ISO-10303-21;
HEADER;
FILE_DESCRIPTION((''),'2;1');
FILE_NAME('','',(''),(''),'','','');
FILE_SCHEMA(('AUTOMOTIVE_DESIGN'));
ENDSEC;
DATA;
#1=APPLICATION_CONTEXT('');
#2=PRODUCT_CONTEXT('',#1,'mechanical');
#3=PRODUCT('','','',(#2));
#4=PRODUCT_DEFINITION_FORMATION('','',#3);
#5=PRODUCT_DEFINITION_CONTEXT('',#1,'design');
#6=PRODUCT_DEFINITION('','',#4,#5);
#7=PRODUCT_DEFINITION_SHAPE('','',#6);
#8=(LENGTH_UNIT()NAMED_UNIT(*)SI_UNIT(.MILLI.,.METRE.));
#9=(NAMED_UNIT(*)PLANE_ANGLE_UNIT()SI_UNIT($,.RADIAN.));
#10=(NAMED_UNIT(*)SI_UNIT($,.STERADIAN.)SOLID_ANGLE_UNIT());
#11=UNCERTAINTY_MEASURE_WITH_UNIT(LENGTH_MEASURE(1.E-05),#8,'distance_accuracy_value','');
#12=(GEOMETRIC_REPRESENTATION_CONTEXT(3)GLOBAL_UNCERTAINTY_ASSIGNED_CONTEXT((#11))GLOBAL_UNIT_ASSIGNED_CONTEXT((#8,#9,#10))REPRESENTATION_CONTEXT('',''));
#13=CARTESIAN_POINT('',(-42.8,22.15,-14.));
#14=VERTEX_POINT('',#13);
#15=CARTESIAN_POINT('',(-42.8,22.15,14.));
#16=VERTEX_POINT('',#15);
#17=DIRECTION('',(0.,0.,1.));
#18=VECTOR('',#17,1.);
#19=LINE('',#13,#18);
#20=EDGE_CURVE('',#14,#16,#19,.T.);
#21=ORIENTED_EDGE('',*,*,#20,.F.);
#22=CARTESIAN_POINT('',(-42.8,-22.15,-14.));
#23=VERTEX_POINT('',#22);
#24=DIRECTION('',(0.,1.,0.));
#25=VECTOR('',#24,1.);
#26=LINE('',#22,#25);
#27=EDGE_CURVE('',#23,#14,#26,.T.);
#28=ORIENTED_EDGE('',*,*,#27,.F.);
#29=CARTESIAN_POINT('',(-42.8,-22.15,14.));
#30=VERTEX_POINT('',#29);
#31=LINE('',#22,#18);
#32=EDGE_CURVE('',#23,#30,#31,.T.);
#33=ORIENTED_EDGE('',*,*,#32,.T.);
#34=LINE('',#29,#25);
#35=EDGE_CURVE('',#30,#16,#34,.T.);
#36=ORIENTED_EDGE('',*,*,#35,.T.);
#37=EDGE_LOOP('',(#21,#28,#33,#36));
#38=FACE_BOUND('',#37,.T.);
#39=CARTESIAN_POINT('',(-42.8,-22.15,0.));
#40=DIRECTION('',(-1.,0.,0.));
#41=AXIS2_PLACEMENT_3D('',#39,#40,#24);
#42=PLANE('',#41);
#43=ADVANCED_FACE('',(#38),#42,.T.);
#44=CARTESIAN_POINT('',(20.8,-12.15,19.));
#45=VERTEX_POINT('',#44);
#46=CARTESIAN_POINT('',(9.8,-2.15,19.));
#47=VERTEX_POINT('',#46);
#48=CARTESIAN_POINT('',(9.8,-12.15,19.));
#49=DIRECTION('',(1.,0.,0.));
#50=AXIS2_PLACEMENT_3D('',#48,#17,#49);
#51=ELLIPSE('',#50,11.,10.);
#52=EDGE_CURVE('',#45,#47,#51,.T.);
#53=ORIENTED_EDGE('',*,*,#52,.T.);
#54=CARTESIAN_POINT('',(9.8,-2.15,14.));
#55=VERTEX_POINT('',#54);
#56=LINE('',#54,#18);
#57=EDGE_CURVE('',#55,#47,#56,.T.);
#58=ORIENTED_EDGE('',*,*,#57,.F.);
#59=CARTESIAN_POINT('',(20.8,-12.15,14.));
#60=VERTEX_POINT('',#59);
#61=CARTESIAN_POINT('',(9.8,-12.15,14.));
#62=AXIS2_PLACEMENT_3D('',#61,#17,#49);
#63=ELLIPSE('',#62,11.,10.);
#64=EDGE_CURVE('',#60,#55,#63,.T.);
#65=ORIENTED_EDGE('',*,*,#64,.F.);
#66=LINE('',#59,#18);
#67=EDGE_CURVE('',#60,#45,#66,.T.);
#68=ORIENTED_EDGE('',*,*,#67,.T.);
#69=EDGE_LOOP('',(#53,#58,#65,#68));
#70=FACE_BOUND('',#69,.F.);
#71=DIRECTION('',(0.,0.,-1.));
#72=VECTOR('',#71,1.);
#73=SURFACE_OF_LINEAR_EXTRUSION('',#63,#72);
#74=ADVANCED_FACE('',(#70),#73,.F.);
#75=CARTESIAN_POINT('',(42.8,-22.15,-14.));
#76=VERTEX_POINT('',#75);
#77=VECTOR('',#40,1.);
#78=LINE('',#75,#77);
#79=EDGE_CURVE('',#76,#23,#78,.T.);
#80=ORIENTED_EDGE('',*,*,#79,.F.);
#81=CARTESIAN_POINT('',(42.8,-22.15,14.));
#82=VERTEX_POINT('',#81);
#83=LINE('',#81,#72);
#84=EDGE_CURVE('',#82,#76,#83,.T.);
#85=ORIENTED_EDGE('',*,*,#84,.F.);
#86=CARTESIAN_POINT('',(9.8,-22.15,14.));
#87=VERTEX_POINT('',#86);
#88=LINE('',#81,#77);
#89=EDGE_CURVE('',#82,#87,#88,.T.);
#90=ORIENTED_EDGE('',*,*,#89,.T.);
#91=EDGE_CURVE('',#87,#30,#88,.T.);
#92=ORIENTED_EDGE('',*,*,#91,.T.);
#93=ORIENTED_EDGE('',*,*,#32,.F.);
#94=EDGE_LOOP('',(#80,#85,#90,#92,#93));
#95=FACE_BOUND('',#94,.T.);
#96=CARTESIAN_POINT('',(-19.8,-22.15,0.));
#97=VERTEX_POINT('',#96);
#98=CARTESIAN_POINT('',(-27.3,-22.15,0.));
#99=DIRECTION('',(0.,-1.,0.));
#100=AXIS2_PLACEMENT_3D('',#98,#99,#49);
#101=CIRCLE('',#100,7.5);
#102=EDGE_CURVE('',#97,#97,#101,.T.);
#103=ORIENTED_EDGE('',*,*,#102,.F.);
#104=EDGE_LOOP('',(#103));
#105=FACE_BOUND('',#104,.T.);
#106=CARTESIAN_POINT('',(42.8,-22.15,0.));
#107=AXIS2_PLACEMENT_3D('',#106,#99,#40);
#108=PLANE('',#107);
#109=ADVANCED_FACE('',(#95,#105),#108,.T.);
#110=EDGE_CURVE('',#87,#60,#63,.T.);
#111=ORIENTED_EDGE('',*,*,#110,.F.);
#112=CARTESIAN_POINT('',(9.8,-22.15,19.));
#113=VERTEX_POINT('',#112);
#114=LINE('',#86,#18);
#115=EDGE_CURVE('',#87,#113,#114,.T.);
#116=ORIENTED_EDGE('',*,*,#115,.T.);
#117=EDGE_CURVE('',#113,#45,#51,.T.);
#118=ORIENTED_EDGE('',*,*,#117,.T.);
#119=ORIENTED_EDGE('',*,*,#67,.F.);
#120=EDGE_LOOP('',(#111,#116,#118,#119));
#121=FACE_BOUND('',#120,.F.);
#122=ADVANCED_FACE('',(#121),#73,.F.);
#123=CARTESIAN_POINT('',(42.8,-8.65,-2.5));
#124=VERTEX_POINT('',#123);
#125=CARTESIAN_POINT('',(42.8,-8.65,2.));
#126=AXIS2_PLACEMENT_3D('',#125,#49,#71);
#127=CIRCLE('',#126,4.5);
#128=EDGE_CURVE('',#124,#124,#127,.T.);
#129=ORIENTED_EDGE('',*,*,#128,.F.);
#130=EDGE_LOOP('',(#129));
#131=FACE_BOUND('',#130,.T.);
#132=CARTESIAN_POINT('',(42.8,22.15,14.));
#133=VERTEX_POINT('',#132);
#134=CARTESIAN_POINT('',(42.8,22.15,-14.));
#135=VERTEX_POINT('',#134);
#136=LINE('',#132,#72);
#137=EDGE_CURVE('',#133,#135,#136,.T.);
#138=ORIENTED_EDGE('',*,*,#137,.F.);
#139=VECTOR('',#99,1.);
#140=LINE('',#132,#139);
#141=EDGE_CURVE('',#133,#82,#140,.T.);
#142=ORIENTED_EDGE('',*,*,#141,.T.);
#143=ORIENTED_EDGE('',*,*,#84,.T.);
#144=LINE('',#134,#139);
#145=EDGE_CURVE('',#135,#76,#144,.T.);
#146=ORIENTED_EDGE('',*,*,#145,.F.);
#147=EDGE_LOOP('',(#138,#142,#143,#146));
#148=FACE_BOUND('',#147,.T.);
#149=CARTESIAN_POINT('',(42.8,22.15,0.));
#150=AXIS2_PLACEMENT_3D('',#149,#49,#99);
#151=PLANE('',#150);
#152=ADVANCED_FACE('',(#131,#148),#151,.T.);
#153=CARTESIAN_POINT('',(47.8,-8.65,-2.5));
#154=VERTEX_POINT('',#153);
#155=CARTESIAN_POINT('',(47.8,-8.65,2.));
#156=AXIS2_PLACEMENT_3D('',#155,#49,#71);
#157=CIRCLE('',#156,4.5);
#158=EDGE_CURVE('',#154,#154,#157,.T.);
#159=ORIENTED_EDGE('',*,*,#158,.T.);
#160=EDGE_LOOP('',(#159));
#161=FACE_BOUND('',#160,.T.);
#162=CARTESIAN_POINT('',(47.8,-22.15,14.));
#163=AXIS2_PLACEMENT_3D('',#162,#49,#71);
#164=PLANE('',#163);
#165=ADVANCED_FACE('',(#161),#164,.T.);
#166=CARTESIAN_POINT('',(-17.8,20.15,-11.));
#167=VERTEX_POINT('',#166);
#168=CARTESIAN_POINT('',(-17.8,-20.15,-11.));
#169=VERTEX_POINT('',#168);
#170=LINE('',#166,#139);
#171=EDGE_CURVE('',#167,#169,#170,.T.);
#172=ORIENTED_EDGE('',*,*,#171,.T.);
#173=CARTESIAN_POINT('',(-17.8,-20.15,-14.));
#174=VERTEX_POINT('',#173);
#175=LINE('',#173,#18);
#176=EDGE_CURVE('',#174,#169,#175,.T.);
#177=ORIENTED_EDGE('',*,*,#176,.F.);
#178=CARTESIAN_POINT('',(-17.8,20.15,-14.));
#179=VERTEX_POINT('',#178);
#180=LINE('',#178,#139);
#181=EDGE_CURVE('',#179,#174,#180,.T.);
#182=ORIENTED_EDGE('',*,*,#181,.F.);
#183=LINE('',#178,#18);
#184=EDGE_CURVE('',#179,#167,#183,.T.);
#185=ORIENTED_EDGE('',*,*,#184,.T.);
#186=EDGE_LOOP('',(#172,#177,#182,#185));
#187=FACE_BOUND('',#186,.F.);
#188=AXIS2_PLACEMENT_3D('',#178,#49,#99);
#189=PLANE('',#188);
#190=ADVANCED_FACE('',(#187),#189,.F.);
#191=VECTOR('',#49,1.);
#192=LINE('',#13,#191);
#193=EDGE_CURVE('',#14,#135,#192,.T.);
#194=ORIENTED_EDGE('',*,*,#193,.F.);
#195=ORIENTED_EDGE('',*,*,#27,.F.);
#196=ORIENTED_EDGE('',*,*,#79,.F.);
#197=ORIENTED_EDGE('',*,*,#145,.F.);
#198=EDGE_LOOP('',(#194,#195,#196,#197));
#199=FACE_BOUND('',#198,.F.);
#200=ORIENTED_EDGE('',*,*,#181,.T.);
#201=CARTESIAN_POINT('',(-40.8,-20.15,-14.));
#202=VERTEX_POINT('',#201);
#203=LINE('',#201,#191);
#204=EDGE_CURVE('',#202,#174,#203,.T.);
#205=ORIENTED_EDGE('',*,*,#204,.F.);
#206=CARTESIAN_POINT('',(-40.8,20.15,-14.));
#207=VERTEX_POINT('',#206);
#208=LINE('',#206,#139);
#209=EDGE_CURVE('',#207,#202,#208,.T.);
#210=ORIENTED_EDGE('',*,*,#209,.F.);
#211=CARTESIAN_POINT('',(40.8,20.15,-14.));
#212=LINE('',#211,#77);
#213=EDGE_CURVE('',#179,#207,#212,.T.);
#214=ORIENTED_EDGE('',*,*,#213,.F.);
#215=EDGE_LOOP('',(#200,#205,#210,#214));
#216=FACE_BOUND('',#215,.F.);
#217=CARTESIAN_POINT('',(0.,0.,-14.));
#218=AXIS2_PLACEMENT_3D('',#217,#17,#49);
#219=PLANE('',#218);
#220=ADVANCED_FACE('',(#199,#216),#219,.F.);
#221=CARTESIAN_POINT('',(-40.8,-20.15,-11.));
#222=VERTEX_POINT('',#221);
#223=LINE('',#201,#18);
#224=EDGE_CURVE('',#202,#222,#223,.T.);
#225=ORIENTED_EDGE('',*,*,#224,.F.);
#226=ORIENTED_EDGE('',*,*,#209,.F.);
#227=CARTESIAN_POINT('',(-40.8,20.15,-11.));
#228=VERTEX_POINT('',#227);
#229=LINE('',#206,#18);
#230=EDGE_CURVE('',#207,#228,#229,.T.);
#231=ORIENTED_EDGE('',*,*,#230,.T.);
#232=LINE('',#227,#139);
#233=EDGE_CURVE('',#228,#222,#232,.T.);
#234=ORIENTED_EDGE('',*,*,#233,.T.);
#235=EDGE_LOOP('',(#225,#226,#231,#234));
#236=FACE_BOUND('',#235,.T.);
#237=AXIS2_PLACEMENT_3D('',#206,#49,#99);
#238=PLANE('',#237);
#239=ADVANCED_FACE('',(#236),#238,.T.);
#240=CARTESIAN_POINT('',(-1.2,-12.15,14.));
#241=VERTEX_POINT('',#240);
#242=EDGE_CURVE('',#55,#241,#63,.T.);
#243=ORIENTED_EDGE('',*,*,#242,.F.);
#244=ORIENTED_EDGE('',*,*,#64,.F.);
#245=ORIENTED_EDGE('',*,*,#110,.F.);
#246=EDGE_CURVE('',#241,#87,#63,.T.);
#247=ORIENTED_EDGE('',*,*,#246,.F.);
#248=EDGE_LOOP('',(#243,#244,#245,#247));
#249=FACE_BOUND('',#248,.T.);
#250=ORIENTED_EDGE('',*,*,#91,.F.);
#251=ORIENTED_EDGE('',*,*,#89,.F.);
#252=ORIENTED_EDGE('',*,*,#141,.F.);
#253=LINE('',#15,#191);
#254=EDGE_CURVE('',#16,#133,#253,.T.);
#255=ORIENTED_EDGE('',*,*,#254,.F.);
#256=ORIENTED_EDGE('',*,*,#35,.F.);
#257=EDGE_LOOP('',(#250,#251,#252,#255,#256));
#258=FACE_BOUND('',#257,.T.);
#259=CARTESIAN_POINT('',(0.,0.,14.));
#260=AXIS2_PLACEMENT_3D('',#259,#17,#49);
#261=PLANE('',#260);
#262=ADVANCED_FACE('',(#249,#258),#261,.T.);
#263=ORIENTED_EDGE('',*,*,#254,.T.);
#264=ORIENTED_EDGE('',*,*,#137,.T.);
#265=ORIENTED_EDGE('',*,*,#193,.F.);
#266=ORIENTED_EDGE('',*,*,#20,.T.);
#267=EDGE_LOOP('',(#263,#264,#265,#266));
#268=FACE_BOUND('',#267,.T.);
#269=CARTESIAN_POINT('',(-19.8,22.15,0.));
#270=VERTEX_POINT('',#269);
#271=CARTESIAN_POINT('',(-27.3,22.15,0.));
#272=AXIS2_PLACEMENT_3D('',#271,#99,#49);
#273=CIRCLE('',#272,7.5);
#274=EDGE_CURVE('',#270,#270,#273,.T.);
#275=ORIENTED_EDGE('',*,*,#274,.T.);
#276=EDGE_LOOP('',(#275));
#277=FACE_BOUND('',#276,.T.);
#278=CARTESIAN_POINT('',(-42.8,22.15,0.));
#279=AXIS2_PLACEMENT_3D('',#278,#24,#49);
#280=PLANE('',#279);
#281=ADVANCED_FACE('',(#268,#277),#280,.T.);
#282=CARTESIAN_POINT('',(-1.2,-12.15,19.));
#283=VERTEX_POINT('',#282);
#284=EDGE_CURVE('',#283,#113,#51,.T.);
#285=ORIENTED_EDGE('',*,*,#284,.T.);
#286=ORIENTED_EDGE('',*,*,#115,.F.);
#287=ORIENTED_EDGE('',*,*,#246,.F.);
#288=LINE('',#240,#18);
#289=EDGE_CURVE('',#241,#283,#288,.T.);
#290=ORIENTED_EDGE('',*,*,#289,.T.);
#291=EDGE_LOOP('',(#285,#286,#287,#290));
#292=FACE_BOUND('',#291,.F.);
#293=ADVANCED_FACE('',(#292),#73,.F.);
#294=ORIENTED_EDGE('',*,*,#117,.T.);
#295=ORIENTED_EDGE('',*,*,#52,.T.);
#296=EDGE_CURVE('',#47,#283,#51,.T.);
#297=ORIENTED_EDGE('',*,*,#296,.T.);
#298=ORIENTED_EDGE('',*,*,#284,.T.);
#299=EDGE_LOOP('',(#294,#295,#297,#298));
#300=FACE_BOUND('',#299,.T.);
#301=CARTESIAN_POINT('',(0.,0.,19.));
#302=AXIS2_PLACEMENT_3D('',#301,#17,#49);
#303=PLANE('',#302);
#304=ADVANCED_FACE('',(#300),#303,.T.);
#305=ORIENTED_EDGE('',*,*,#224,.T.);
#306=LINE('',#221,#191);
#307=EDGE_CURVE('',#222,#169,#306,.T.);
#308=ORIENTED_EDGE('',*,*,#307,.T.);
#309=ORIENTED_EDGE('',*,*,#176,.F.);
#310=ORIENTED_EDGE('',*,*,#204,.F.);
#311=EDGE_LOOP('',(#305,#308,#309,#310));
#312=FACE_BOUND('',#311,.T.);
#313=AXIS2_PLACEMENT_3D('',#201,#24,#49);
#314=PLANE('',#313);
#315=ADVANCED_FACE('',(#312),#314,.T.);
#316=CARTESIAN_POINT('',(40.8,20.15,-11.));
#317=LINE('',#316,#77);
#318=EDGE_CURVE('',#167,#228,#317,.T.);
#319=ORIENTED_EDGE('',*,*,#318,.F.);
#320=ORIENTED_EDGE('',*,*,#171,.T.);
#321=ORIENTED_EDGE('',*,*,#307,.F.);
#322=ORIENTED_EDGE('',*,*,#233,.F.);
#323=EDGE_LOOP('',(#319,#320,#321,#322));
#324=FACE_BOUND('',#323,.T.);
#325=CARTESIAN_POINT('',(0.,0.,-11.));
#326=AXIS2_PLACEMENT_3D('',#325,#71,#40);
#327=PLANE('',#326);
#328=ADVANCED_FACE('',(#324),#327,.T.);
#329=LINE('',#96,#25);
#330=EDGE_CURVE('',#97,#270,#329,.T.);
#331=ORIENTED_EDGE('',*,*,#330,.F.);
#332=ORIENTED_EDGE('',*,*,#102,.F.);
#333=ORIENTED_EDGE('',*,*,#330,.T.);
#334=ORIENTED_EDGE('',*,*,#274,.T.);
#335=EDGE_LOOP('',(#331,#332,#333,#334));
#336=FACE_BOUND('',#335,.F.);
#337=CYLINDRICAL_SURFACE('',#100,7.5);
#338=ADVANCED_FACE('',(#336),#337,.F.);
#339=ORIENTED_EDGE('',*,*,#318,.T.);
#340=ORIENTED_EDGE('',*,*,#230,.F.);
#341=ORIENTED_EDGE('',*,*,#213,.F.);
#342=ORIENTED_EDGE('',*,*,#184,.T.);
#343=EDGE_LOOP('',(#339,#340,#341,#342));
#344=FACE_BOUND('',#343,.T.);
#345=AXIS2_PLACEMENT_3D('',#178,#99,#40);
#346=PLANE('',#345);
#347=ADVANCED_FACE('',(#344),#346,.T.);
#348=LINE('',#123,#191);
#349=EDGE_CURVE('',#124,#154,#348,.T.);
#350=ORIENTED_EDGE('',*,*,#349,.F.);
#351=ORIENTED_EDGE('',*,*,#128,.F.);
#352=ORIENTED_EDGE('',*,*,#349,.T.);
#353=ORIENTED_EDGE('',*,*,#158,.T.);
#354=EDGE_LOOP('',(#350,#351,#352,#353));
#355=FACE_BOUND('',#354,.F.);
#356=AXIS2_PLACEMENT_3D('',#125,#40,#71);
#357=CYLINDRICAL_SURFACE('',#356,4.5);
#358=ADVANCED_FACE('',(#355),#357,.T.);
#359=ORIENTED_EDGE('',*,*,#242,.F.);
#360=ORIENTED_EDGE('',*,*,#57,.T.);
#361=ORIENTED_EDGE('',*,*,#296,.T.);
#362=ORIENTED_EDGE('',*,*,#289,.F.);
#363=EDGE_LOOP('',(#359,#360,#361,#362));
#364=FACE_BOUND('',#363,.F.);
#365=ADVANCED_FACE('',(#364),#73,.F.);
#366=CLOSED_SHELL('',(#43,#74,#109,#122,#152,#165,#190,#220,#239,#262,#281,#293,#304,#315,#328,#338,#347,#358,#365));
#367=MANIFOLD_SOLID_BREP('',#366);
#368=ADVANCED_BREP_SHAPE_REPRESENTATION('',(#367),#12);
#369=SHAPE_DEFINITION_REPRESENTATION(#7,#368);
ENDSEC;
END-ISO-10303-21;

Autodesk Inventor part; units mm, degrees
ref_plane "YZ Plane" through (0, 0, 0) normal (1, 0, 0) x (0, 1, 0)
ref_plane "XZ Plane" through (0, 0, 0) normal (0, 1, 0) x (-1, 0, 0)
ref_plane "XY Plane" through (0, 0, 0) normal (0, 0, 1) x (1, 0, 0)
sketch "Эскиз1" plane through (0, 0, 0) normal (0, 0, 1) x (1, 0, 0)
  line L0 (-42.8, 22.15) -> (42.8, 22.15)
  line L1 (42.8, 22.15) -> (42.8, -22.15)
  line L2 (42.8, -22.15) -> (-42.8, -22.15)
  line L3 (-42.8, -22.15) -> (-42.8, 22.15)
  line L4 (-42.8, 22.15) -> (42.8, -22.15) construction
  line L5 (42.8, 22.15) -> (-42.8, -22.15) construction
  point P0 (0, 0)
  dimension "d0" = 85.6
  dimension "d1" = 44.3
extrude "Выдавливание1" add sketch "Эскиз1" along normal mid plane 28
sketch "Эскиз2" plane through (0, 0, 14) normal (0, 0, 1) x (1, 0, 0)
  line L0 (-1.2, -2.15) -> (20.8, -2.15)
  line L1 (20.8, -2.15) -> (20.8, -22.15)
  line L2 (20.8, -22.15) -> (-1.2, -22.15)
  line L3 (-1.2, -22.15) -> (-1.2, -2.15)
  line L4 (-42.8, -22.15) -> (42.8, -22.15) projected
  line L5 (42.8, -22.15) -> (42.8, 22.15) projected
  ellipse E0 centre (9.8, -12.15) end of major axis (20.8, -12.15) minor radius 10
  point P0 (0, 0)
  point P1 (20.8, -12.15)
  point P2 (9.8, -2.15)
  point P3 (9.8, -22.15)
  point P4 (-1.2, -12.15)
  dimension "d4" = 20
  dimension "d5" = 44
  dimension "d6" = 22
extrude "Выдавливание2" add sketch "Эскиз2" along normal blind 5 contours E0
sketch "Эскиз3" plane through (42.8, -22.15, 14) normal (1, 0, 0) x (0, 0, -1)
  circle A0 centre (12, 13.5) radius 4.5
  line L0 (28, 0) -> (0, 0) projected
  line L1 (0, 0) -> (0, 44.3) projected
  point P0 (14, 22.15)
  dimension "d9" = 13.5
  dimension "d10" = 9
  dimension "d22" = 12
extrude "Выдавливание3" add sketch "Эскиз3" along normal blind 5
sketch "Эскиз4" plane through (-42.8, -22.15, -14) normal (0, -1, 0) x (1, 0, 0)
  circle A0 centre (15.5, 14) radius 7.5
  line L0 (0, 28) -> (0, 0) projected
  line L1 (0, 28) -> (52.6, 28) projected
  point P0 (42.8, 14)
  point P1 (41.6, 23)
  dimension "d13" = 15
  dimension "d14" = 15.5
  dimension "d21" = 14
extrude "Выдавливание4" cut sketch "Эскиз4" against normal through all
sketch "Эскиз5" plane through (0, 0, -14) normal (0, 0, -1) x (-1, 0, 0)
  line L0 (-42.8, -22.15) -> (42.8, -22.15) projected
  line L1 (42.8, -22.15) -> (42.8, 22.15) projected
  line L2 (42.8, 22.15) -> (-42.8, 22.15) projected
  line L3 (-42.8, 22.15) -> (-42.8, -22.15) projected
  line L4 (-40.8, 20.15) -> (40.8, 20.15)
  line L5 (40.8, 20.15) -> (40.8, -20.15)
  line L6 (40.8, -20.15) -> (-40.8, -20.15)
  line L7 (-40.8, -20.15) -> (-40.8, 20.15)
  line L8 (17.8, 20.15) -> (17.8, -20.15)
  dimension "d23" = 2
  dimension "d24" = 23
extrude "Выдавливание5" cut sketch "Эскиз5" against normal blind 3 contours L4 L5 L6 L8
properties part number "ЛЦМК0000002.00.00.00.00.05"
